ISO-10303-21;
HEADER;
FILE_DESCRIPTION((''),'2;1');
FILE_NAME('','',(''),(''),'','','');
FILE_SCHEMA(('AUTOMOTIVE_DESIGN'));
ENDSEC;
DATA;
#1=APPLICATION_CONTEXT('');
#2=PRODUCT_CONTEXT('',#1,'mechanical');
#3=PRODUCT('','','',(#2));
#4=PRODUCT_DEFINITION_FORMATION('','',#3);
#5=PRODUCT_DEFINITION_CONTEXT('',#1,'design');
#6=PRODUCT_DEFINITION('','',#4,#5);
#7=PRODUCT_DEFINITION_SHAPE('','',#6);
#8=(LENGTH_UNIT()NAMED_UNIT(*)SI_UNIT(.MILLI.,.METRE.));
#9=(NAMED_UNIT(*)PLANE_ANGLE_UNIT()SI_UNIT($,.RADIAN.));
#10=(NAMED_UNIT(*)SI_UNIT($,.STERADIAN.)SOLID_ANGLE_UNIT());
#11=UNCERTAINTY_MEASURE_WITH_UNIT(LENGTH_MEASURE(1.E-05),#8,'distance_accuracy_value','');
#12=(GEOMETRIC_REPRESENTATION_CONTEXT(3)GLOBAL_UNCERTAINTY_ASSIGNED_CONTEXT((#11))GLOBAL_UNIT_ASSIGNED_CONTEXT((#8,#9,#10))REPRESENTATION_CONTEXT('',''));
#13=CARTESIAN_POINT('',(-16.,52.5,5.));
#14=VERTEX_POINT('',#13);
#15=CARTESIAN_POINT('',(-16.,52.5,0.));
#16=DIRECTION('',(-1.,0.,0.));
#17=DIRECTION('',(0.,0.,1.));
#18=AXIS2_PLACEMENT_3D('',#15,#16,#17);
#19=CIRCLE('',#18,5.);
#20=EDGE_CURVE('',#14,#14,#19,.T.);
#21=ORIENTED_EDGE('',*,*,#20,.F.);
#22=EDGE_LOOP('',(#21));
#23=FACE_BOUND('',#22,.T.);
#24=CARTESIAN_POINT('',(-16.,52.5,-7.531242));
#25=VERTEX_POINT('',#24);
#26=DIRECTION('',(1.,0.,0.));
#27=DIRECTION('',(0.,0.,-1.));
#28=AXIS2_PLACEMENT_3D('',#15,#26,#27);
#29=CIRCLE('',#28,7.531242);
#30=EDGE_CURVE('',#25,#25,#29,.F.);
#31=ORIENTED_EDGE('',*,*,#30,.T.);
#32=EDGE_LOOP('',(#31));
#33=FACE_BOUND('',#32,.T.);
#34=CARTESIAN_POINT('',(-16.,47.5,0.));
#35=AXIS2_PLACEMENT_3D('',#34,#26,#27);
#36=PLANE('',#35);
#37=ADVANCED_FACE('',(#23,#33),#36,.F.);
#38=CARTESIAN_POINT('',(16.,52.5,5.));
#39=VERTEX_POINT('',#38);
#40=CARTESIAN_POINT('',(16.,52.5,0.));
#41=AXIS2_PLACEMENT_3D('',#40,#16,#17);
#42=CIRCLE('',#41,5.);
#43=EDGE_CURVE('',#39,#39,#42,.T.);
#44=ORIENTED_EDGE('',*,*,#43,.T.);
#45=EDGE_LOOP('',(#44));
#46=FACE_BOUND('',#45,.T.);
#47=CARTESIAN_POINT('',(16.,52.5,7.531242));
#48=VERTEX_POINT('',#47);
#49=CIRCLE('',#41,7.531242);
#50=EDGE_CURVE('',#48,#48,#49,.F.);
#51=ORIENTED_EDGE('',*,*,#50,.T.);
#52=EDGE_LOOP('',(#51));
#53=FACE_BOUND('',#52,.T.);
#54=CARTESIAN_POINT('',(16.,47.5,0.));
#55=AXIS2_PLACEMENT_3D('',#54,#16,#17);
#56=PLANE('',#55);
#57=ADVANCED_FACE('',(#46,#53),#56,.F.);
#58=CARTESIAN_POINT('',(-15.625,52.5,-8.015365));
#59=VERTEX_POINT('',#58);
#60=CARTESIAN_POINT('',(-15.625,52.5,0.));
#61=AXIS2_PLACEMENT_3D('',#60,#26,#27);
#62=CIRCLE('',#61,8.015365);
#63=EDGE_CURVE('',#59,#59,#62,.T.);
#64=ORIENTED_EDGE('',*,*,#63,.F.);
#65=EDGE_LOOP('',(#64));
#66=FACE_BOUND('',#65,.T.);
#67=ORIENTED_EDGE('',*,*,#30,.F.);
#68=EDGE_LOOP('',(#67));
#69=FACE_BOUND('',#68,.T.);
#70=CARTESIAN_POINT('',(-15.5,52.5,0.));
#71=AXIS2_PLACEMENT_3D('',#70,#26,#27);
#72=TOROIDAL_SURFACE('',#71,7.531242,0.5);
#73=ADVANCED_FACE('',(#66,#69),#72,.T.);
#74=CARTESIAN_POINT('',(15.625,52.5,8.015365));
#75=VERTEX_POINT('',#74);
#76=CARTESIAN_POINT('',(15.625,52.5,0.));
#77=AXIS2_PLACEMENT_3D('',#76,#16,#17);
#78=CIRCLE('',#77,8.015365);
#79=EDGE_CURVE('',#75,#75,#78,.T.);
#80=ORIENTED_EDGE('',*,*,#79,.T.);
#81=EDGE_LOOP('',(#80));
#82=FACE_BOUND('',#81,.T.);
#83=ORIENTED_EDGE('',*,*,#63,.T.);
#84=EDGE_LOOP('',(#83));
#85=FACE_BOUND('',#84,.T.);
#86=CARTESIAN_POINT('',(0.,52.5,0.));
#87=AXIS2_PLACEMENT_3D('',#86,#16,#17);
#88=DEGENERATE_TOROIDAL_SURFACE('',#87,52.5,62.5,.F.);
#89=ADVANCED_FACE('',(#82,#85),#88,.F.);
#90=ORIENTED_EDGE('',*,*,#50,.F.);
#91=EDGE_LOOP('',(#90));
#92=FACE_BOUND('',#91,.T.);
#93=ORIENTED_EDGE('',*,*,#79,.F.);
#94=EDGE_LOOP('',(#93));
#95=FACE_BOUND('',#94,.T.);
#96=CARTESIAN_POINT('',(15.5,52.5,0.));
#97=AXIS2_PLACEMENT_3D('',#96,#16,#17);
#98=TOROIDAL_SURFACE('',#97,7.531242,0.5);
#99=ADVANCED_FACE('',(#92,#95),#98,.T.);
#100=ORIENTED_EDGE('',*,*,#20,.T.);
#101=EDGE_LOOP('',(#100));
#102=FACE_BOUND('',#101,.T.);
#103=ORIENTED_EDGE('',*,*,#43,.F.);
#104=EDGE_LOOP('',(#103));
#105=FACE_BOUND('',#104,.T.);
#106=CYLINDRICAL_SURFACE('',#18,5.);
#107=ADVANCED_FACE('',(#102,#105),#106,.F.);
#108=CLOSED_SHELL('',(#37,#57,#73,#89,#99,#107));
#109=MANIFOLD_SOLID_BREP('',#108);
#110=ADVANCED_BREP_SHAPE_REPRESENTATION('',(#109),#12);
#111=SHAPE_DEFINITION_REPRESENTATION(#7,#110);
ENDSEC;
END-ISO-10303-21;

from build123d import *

# Parameters (mm, degrees)
FILLET1_R = 0.5


with BuildPart() as part:
    # Sketch1 → Revolve2 (revolve)
    with BuildSketch(Plane.XY, mode=Mode.PRIVATE) as revolve2_sk:
        with BuildLine():
            Line((16, 57.5), (16, 60.417298847))
            ThreePointArc((16, 60.417298847), (0, 62.5), (-16, 60.417298847))
            Line((-16, 60.417298847), (-16, 57.5))
            Line((-16, 57.5), (16, 57.5))
        make_face()
    revolve(revolve2_sk.sketch.rotate(Axis((-16, 52.5, 0), (1, 0, 0)), 90), axis=Axis((-16, 52.5, 0), (1, 0, 0)))

    # Fillet1
    fillet1_edges = [part.edges().sort_by_distance(p)[0] for p in [
        (16, 52.5, -7.917298847),
        (-16, 52.5, -7.917298847),
    ]]
    fillet(fillet1_edges, radius=FILLET1_R)


solid = part.part
